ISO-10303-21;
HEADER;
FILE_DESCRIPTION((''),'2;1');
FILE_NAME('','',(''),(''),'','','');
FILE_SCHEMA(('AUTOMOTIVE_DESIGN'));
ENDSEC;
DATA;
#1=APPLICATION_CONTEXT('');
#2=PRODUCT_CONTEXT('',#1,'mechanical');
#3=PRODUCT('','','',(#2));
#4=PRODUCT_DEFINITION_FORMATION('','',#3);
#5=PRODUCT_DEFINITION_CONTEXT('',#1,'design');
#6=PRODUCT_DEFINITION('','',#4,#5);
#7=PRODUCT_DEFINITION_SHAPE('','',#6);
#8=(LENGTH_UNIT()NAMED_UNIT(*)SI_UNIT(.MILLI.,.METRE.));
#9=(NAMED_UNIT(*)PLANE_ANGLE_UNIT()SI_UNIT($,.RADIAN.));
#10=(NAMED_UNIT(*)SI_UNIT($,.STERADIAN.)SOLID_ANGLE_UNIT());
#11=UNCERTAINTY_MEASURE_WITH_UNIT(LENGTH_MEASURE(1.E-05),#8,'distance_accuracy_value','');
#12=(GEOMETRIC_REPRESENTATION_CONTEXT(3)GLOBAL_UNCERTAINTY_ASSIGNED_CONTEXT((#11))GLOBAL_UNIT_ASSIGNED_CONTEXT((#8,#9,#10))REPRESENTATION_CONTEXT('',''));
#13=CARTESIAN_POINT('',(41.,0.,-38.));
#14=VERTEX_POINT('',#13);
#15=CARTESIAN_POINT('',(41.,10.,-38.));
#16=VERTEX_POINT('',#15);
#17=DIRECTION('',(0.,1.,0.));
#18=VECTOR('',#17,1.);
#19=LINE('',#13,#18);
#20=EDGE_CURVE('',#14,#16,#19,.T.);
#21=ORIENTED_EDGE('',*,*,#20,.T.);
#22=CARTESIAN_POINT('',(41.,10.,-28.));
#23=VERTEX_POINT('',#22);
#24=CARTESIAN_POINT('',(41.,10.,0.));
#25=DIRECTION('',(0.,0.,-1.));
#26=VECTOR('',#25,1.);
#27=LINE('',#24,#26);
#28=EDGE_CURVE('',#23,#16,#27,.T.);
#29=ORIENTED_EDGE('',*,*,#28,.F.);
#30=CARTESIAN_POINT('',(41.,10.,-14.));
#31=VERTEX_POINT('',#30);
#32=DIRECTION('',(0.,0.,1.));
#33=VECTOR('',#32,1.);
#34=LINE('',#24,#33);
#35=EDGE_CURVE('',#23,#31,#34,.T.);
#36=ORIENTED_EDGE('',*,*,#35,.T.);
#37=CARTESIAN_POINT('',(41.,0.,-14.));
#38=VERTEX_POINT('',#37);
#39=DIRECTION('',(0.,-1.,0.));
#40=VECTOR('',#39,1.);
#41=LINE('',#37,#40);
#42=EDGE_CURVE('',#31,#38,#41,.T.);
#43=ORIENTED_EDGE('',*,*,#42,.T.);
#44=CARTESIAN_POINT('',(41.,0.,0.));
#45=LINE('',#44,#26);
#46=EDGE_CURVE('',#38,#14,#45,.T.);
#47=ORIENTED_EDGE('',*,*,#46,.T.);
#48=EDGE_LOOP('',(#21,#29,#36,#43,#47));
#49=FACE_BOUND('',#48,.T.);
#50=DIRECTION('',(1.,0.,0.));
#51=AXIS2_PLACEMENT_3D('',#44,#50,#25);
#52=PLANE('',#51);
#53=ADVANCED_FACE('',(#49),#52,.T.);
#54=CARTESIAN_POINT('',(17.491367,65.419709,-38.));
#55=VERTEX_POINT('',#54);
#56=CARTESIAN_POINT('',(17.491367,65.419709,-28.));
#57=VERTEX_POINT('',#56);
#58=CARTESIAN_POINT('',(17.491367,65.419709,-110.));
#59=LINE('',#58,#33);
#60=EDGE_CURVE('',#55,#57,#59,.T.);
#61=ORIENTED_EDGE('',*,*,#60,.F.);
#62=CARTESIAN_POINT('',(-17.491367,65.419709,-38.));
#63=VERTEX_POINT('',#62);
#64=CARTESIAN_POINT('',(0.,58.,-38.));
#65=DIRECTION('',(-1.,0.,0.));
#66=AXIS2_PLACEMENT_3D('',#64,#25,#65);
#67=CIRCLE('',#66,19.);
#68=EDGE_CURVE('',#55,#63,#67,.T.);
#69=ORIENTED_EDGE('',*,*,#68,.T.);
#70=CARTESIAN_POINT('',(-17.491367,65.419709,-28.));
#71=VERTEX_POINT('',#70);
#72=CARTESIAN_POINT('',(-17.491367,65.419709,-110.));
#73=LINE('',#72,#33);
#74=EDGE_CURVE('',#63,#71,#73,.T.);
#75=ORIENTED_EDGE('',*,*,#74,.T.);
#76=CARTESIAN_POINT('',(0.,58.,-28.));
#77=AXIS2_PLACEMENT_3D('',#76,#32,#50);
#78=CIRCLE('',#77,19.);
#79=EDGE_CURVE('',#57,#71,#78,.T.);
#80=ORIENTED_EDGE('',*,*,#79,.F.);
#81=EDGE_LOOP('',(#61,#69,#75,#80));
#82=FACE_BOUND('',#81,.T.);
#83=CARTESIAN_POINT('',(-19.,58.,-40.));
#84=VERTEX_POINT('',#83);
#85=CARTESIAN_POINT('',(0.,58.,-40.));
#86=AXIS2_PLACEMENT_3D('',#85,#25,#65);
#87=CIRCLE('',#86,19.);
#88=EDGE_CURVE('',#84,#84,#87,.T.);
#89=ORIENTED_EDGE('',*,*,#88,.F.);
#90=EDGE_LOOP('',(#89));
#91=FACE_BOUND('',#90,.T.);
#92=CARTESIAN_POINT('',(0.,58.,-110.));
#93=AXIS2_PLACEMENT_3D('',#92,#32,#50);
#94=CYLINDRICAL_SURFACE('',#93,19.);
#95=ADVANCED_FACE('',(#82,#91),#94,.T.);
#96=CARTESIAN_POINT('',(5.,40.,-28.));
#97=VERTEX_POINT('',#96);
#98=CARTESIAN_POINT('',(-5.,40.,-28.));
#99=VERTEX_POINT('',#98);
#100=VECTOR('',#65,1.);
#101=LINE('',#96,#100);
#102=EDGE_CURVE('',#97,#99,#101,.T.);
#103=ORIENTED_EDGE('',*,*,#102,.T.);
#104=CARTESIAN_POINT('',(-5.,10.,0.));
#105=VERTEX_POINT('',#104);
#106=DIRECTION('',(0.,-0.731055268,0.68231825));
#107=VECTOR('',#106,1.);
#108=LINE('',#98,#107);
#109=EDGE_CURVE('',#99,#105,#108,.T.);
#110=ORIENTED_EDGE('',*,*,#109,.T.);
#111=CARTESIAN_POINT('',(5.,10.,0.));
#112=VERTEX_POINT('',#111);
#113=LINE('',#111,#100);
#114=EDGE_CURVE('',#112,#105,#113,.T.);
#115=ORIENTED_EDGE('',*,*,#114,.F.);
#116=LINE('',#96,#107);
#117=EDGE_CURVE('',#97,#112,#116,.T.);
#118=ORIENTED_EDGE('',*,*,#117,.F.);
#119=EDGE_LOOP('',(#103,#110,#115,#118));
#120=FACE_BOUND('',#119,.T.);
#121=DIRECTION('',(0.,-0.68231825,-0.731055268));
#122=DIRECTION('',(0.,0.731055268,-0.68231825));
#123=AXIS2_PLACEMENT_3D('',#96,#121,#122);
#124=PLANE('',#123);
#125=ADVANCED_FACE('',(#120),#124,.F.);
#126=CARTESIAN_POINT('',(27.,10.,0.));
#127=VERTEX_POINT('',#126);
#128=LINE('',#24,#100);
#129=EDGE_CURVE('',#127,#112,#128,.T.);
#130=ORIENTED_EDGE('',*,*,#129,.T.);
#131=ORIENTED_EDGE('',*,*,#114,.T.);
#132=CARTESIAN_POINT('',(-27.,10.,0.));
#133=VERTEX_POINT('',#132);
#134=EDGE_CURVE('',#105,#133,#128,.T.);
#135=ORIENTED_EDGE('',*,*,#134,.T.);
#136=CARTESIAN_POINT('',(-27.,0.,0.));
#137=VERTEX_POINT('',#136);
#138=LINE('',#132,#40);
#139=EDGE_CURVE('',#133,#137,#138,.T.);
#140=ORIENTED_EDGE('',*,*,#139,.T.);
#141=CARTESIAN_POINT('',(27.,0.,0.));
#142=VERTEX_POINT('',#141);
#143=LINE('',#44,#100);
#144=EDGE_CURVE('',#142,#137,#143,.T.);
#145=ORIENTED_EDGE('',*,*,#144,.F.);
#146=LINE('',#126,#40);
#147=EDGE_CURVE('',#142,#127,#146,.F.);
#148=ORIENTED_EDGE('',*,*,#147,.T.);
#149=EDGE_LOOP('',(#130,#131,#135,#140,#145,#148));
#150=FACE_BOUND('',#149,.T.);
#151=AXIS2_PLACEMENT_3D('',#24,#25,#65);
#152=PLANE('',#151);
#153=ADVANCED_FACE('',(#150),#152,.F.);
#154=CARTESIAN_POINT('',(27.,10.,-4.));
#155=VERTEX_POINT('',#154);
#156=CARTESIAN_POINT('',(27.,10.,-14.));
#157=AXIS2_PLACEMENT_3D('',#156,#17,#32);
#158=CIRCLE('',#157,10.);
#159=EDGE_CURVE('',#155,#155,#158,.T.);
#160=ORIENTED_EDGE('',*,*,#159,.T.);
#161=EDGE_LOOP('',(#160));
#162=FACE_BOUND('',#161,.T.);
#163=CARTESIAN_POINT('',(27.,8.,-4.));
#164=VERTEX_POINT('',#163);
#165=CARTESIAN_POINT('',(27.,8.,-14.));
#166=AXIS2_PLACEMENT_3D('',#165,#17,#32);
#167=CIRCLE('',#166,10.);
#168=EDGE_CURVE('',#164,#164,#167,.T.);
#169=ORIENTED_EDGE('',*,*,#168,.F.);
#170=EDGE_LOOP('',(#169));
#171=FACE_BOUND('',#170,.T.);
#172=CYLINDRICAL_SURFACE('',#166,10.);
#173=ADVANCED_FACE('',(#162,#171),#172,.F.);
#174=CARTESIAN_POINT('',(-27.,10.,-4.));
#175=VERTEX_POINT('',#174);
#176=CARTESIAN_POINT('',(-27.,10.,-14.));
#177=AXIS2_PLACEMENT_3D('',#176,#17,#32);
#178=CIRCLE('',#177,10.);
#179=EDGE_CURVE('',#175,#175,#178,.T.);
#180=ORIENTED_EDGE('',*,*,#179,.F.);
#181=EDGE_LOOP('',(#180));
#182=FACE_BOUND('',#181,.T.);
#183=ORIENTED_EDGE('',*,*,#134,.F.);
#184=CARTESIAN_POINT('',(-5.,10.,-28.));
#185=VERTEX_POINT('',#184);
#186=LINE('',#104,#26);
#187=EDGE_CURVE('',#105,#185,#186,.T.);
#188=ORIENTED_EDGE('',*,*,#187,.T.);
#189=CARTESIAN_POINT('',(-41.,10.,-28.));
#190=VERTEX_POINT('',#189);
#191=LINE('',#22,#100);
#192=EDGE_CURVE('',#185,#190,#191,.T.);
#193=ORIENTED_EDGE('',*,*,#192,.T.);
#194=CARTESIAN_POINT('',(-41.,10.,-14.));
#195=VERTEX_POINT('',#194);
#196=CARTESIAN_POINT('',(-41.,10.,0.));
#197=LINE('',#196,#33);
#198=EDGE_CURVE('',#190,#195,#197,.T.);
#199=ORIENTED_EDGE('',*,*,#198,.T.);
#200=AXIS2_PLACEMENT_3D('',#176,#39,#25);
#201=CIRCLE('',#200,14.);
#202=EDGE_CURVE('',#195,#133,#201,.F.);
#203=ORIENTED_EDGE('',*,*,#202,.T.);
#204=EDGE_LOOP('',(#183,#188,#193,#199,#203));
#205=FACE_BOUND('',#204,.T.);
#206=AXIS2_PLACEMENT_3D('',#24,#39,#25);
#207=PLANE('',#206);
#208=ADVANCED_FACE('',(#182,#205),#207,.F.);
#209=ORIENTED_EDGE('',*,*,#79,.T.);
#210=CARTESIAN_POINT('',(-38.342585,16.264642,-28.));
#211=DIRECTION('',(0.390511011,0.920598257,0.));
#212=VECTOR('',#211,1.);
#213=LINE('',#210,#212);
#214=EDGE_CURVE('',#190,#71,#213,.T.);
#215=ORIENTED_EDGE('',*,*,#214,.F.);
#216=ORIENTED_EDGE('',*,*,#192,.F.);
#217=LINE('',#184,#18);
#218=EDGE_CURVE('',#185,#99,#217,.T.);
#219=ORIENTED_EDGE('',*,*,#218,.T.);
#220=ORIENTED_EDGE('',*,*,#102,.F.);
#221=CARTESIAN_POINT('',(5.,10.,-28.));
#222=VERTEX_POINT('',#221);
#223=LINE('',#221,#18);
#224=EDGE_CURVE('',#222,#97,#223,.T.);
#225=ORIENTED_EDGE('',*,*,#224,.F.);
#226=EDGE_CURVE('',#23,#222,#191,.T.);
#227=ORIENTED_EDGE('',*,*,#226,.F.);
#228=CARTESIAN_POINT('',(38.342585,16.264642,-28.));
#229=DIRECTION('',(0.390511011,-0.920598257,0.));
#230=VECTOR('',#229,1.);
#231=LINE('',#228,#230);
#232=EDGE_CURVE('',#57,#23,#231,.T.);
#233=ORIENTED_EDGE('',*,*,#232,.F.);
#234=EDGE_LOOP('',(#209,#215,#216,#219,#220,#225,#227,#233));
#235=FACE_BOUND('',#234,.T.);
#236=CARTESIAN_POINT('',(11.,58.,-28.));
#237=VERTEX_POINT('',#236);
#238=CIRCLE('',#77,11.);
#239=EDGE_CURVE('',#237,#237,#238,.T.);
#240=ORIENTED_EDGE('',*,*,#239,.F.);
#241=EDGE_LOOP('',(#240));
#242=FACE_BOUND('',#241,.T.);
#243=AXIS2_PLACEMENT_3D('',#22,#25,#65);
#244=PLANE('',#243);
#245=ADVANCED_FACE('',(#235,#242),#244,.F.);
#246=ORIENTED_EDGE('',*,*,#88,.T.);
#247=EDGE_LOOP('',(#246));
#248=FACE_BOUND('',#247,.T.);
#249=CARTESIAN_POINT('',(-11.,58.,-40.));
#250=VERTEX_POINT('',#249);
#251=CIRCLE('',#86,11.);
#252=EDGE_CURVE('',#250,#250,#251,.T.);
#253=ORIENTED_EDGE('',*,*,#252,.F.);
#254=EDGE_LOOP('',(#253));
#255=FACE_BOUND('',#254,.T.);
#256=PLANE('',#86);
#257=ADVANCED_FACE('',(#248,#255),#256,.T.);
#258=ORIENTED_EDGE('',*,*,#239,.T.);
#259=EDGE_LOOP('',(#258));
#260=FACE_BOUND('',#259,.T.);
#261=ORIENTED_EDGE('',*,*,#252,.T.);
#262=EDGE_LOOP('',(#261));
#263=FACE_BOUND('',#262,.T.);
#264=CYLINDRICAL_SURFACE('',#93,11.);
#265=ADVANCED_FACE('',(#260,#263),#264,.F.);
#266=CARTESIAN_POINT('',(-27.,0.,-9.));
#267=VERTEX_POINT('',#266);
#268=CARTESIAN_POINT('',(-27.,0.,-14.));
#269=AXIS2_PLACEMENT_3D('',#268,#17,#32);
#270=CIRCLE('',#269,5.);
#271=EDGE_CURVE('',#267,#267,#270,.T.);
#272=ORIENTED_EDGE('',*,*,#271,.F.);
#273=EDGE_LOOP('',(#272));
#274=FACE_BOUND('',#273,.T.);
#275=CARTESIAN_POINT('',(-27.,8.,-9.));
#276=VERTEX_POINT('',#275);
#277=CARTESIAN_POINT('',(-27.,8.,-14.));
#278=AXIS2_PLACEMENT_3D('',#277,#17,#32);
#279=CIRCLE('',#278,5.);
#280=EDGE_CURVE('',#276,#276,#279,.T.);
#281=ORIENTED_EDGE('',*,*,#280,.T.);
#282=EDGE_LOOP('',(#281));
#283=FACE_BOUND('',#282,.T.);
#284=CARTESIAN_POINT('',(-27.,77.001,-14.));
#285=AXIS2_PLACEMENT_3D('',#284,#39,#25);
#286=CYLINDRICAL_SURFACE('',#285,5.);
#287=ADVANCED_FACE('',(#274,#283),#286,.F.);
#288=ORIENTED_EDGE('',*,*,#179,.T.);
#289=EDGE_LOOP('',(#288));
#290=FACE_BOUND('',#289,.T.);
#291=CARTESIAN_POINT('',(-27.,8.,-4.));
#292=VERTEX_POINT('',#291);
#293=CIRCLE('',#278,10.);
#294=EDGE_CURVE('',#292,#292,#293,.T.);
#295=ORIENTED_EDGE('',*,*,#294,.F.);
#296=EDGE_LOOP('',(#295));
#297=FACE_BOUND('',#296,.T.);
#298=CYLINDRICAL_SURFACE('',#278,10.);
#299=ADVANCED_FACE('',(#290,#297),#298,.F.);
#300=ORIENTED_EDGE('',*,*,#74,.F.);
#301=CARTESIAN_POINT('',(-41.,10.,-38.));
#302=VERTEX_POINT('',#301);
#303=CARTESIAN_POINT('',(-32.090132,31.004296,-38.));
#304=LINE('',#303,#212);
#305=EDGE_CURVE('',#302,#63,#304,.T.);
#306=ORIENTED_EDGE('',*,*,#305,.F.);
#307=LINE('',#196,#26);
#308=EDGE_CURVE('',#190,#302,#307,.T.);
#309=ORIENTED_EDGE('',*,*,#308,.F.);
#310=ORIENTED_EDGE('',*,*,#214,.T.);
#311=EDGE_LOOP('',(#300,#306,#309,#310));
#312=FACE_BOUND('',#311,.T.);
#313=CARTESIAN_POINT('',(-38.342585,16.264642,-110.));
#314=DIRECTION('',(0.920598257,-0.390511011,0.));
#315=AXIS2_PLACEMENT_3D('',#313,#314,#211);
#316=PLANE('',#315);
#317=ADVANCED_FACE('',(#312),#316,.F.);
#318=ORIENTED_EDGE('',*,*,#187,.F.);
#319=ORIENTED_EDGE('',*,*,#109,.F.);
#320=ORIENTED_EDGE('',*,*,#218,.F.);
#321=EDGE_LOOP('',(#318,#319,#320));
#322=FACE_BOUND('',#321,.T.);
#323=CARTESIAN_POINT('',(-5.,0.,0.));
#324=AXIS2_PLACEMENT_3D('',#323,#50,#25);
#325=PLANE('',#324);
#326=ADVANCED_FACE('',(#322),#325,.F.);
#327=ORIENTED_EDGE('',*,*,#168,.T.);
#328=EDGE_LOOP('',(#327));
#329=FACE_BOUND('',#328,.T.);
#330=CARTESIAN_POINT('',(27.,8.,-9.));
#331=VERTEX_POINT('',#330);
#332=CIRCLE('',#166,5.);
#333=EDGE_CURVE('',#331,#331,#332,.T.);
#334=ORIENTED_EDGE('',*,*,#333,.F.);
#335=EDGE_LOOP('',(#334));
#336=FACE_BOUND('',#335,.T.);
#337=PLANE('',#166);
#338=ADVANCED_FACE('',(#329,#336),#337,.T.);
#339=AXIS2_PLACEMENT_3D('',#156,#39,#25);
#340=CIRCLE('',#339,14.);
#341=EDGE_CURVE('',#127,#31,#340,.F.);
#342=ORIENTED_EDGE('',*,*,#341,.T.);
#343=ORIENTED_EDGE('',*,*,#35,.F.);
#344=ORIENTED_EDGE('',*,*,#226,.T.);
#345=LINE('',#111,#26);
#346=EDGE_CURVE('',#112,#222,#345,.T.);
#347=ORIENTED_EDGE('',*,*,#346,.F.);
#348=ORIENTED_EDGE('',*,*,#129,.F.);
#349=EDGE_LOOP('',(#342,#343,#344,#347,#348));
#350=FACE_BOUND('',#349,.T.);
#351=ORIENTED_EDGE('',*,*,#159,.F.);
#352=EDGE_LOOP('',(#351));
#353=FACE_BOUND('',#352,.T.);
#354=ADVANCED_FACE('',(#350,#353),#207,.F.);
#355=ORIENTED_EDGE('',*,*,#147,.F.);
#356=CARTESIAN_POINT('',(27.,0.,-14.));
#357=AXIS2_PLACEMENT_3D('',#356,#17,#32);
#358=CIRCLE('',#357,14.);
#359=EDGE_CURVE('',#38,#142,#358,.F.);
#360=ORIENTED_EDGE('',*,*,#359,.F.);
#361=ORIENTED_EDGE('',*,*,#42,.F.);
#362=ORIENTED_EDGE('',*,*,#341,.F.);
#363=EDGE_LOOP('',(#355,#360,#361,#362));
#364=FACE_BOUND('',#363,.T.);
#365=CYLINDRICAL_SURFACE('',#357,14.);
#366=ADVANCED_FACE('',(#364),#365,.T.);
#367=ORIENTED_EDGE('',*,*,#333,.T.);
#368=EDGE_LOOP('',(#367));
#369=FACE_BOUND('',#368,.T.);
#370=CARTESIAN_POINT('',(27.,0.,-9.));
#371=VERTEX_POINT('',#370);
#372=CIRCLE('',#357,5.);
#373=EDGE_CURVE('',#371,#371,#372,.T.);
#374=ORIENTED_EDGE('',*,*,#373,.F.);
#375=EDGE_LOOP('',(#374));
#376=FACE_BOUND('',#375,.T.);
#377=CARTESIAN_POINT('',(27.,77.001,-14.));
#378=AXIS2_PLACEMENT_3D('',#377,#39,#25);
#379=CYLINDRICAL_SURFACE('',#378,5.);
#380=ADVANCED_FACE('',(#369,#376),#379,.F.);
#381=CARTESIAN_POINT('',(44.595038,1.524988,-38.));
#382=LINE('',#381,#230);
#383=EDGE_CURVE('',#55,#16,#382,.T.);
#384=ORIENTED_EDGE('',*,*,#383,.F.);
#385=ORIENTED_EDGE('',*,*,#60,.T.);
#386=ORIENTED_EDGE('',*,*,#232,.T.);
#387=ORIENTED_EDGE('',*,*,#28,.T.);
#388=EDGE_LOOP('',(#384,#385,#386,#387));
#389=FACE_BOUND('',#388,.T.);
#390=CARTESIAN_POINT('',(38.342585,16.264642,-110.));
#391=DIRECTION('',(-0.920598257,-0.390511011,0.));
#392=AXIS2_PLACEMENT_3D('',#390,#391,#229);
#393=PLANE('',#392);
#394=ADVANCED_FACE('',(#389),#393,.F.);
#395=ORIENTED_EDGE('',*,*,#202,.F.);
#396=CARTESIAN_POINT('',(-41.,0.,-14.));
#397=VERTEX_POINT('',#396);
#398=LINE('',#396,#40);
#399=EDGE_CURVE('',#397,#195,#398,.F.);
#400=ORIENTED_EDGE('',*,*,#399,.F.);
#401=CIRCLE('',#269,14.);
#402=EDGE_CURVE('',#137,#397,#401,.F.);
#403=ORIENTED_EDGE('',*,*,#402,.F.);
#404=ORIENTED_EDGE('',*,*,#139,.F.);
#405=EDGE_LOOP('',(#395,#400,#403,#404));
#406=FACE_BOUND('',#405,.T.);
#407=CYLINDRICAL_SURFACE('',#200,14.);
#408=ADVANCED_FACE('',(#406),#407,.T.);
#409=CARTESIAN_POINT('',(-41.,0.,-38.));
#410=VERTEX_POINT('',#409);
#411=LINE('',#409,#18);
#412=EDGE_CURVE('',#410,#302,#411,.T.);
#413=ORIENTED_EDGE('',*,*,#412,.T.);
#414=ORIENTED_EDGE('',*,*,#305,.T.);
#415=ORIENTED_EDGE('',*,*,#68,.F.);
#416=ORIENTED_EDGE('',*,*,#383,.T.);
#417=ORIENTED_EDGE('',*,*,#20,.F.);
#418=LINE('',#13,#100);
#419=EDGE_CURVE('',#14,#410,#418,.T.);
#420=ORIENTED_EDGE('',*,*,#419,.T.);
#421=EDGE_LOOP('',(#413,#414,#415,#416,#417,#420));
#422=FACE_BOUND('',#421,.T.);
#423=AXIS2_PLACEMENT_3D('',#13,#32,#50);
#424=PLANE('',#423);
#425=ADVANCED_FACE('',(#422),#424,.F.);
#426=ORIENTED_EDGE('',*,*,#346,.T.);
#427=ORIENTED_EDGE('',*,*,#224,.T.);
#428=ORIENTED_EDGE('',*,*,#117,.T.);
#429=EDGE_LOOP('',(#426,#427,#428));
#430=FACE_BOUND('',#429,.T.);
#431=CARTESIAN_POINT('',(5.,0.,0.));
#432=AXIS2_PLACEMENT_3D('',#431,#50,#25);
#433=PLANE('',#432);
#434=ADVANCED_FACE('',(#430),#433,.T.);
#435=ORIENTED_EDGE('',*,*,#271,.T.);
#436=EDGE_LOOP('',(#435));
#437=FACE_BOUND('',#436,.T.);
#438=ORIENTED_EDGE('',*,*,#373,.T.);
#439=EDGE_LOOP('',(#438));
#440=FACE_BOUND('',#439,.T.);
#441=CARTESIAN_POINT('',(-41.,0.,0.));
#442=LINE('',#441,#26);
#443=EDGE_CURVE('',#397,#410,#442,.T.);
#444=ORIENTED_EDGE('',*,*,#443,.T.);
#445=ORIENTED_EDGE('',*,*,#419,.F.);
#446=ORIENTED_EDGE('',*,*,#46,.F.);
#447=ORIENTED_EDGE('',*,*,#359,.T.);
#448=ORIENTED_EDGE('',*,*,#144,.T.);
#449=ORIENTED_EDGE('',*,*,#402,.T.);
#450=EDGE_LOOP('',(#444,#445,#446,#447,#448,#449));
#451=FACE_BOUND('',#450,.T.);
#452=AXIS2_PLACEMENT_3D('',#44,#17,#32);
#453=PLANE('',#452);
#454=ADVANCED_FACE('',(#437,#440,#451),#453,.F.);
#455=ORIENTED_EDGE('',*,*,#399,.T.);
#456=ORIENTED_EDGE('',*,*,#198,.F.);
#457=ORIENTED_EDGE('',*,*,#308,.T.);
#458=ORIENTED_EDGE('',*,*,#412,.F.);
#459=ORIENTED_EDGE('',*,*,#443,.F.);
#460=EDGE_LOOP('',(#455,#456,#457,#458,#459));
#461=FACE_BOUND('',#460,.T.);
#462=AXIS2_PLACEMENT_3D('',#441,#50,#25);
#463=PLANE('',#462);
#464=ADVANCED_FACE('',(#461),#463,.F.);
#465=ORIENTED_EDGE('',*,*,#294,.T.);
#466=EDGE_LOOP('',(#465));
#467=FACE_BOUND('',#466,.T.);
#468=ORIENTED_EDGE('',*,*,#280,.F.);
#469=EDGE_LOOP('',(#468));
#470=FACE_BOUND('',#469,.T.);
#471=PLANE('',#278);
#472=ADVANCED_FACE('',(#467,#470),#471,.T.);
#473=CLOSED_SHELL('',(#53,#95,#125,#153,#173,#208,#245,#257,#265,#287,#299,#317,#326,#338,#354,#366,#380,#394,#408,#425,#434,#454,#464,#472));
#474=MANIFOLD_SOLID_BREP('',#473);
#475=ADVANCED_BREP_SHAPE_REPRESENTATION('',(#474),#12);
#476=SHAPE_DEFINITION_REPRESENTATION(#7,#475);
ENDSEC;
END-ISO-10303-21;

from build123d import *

# Parameters (mm, degrees)
EXTRUDE_1_DEPTH     = 41
SKETCH_2_R          = 11
CUT_EXTRUDE_1_DEPTH = 82
EXTRUDE_2_DEPTH     = 5
FILLET_1_R          = 14
CUT_EXTRUDE_2_REACH = 79
SKETCH_4_R          = 5
SKETCH_5_R          = 10
CUT_EXTRUDE_3_DEPTH = 2
SKETCH_6_R          = 19
SKETCH_6_R_2        = 11
EXTRUDE_3_DEPTH     = 2


with BuildPart() as part:
    # 스케치1 → 보스-돌출1 (new body, symmetric)
    with BuildSketch(Plane(origin=(0, 0, 0), x_dir=(0, 0, -1), z_dir=(1, 0, 0))):
        Polygon((0, 0), (38, 0), (38, 77), (28, 77), (28, 10), (0, 10), align=None)
    extrude(amount=EXTRUDE_1_DEPTH, both=True)

    # 스케치2 → 컷-돌출1 (cut)
    with BuildSketch(Plane.XY.offset(-28)):
        with BuildLine():
            Line((-41, 77), (-41, 10))
            Line((-41, 10), (-17.491366878, 65.419709208))
            ThreePointArc((-17.491366878, 65.419709208), (-10.488696893, 73.842576731), (0, 77))
            Line((0, 77), (-41, 77))
        make_face()
        with BuildLine():
            Line((41, 77), (0, 77))
            ThreePointArc((0, 77), (10.488696893, 73.842576731), (17.491366878, 65.419709208))
            Line((17.491366878, 65.419709208), (41, 10))
            Line((41, 10), (41, 77))
        make_face()
        with Locations((0, 58)):
            Circle(SKETCH_2_R)
    extrude(amount=-CUT_EXTRUDE_1_DEPTH, mode=Mode.SUBTRACT)

    # 스케치3 → 보스-돌출2 (add, symmetric)
    with BuildSketch(Plane(origin=(0, 0, 0), x_dir=(0, 0, -1), z_dir=(1, 0, 0))):
        Polygon((0, 10), (28, 10), (28, 40), align=None)
    extrude(amount=EXTRUDE_2_DEPTH, both=True)

    # 필렛1
    fillet_1_edges = [part.edges().sort_by_distance(p)[0] for p in [
        (41, 5, 0),
        (-41, 5, 0),
    ]]
    fillet(fillet_1_edges, radius=FILLET_1_R)

    # 스케치4 → 컷-돌출2 (cut, up to next)
    with BuildSketch(Plane(origin=(0, 0, 0), x_dir=(1, 0, 0), z_dir=(0, 1, 0)), mode=Mode.PRIVATE) as cut_extrude_2_sk1:
        with Locations(Location((-27, 14, 0), (0, 0, 90))):  # turned: the seam where the file's is
            Circle(SKETCH_4_R)
    cut_extrude_2_tool1 = extrude(cut_extrude_2_sk1.sketch, amount=CUT_EXTRUDE_2_REACH, mode=Mode.PRIVATE) & part.part
    add(cut_extrude_2_tool1.solids().sort_by_distance((-27, 0, -14))[0], mode=Mode.SUBTRACT)
    # 스케치4 → 컷-돌출2 (cut, up to next)
    with BuildSketch(Plane(origin=(0, 0, 0), x_dir=(1, 0, 0), z_dir=(0, 1, 0)), mode=Mode.PRIVATE) as cut_extrude_2_sk2:
        with Locations(Location((27, 14, 0), (0, 0, 90))):  # turned: the seam where the file's is
            Circle(SKETCH_4_R)
    cut_extrude_2_tool2 = extrude(cut_extrude_2_sk2.sketch, amount=CUT_EXTRUDE_2_REACH, mode=Mode.PRIVATE) & part.part
    add(cut_extrude_2_tool2.solids().sort_by_distance((27, 0, -14))[0], mode=Mode.SUBTRACT)

    # 스케치5 → 컷-돌출3 (cut)
    with BuildSketch(Plane(origin=(0, 10, 0), x_dir=(1, 0, 0), z_dir=(0, 1, 0))):
        with Locations(Location((-27, 14, 0), (0, 0, 270))):  # turned: the seam where the file's is
            Circle(SKETCH_5_R)
        with Locations(Location((27, 14, 0), (0, 0, 270))):  # turned: the seam where the file's is
            Circle(SKETCH_5_R)
    extrude(amount=-CUT_EXTRUDE_3_DEPTH, mode=Mode.SUBTRACT)

    # 스케치6 → 보스-돌출3 (add)
    with BuildSketch(Plane(origin=(0, 0, -38), x_dir=(-1, 0, 0), z_dir=(0, 0, -1))):
        with Locations(Location((0, 58, 0), (0, 0, 157.01370027))):  # turned: the seam where the file's is
            Circle(SKETCH_6_R)
        with Locations(Location((0, 58, 0), (0, 0, 180))):  # turned: the seam where the file's is
            Circle(SKETCH_6_R_2, mode=Mode.SUBTRACT)
    extrude(amount=EXTRUDE_3_DEPTH)


solid = part.part
